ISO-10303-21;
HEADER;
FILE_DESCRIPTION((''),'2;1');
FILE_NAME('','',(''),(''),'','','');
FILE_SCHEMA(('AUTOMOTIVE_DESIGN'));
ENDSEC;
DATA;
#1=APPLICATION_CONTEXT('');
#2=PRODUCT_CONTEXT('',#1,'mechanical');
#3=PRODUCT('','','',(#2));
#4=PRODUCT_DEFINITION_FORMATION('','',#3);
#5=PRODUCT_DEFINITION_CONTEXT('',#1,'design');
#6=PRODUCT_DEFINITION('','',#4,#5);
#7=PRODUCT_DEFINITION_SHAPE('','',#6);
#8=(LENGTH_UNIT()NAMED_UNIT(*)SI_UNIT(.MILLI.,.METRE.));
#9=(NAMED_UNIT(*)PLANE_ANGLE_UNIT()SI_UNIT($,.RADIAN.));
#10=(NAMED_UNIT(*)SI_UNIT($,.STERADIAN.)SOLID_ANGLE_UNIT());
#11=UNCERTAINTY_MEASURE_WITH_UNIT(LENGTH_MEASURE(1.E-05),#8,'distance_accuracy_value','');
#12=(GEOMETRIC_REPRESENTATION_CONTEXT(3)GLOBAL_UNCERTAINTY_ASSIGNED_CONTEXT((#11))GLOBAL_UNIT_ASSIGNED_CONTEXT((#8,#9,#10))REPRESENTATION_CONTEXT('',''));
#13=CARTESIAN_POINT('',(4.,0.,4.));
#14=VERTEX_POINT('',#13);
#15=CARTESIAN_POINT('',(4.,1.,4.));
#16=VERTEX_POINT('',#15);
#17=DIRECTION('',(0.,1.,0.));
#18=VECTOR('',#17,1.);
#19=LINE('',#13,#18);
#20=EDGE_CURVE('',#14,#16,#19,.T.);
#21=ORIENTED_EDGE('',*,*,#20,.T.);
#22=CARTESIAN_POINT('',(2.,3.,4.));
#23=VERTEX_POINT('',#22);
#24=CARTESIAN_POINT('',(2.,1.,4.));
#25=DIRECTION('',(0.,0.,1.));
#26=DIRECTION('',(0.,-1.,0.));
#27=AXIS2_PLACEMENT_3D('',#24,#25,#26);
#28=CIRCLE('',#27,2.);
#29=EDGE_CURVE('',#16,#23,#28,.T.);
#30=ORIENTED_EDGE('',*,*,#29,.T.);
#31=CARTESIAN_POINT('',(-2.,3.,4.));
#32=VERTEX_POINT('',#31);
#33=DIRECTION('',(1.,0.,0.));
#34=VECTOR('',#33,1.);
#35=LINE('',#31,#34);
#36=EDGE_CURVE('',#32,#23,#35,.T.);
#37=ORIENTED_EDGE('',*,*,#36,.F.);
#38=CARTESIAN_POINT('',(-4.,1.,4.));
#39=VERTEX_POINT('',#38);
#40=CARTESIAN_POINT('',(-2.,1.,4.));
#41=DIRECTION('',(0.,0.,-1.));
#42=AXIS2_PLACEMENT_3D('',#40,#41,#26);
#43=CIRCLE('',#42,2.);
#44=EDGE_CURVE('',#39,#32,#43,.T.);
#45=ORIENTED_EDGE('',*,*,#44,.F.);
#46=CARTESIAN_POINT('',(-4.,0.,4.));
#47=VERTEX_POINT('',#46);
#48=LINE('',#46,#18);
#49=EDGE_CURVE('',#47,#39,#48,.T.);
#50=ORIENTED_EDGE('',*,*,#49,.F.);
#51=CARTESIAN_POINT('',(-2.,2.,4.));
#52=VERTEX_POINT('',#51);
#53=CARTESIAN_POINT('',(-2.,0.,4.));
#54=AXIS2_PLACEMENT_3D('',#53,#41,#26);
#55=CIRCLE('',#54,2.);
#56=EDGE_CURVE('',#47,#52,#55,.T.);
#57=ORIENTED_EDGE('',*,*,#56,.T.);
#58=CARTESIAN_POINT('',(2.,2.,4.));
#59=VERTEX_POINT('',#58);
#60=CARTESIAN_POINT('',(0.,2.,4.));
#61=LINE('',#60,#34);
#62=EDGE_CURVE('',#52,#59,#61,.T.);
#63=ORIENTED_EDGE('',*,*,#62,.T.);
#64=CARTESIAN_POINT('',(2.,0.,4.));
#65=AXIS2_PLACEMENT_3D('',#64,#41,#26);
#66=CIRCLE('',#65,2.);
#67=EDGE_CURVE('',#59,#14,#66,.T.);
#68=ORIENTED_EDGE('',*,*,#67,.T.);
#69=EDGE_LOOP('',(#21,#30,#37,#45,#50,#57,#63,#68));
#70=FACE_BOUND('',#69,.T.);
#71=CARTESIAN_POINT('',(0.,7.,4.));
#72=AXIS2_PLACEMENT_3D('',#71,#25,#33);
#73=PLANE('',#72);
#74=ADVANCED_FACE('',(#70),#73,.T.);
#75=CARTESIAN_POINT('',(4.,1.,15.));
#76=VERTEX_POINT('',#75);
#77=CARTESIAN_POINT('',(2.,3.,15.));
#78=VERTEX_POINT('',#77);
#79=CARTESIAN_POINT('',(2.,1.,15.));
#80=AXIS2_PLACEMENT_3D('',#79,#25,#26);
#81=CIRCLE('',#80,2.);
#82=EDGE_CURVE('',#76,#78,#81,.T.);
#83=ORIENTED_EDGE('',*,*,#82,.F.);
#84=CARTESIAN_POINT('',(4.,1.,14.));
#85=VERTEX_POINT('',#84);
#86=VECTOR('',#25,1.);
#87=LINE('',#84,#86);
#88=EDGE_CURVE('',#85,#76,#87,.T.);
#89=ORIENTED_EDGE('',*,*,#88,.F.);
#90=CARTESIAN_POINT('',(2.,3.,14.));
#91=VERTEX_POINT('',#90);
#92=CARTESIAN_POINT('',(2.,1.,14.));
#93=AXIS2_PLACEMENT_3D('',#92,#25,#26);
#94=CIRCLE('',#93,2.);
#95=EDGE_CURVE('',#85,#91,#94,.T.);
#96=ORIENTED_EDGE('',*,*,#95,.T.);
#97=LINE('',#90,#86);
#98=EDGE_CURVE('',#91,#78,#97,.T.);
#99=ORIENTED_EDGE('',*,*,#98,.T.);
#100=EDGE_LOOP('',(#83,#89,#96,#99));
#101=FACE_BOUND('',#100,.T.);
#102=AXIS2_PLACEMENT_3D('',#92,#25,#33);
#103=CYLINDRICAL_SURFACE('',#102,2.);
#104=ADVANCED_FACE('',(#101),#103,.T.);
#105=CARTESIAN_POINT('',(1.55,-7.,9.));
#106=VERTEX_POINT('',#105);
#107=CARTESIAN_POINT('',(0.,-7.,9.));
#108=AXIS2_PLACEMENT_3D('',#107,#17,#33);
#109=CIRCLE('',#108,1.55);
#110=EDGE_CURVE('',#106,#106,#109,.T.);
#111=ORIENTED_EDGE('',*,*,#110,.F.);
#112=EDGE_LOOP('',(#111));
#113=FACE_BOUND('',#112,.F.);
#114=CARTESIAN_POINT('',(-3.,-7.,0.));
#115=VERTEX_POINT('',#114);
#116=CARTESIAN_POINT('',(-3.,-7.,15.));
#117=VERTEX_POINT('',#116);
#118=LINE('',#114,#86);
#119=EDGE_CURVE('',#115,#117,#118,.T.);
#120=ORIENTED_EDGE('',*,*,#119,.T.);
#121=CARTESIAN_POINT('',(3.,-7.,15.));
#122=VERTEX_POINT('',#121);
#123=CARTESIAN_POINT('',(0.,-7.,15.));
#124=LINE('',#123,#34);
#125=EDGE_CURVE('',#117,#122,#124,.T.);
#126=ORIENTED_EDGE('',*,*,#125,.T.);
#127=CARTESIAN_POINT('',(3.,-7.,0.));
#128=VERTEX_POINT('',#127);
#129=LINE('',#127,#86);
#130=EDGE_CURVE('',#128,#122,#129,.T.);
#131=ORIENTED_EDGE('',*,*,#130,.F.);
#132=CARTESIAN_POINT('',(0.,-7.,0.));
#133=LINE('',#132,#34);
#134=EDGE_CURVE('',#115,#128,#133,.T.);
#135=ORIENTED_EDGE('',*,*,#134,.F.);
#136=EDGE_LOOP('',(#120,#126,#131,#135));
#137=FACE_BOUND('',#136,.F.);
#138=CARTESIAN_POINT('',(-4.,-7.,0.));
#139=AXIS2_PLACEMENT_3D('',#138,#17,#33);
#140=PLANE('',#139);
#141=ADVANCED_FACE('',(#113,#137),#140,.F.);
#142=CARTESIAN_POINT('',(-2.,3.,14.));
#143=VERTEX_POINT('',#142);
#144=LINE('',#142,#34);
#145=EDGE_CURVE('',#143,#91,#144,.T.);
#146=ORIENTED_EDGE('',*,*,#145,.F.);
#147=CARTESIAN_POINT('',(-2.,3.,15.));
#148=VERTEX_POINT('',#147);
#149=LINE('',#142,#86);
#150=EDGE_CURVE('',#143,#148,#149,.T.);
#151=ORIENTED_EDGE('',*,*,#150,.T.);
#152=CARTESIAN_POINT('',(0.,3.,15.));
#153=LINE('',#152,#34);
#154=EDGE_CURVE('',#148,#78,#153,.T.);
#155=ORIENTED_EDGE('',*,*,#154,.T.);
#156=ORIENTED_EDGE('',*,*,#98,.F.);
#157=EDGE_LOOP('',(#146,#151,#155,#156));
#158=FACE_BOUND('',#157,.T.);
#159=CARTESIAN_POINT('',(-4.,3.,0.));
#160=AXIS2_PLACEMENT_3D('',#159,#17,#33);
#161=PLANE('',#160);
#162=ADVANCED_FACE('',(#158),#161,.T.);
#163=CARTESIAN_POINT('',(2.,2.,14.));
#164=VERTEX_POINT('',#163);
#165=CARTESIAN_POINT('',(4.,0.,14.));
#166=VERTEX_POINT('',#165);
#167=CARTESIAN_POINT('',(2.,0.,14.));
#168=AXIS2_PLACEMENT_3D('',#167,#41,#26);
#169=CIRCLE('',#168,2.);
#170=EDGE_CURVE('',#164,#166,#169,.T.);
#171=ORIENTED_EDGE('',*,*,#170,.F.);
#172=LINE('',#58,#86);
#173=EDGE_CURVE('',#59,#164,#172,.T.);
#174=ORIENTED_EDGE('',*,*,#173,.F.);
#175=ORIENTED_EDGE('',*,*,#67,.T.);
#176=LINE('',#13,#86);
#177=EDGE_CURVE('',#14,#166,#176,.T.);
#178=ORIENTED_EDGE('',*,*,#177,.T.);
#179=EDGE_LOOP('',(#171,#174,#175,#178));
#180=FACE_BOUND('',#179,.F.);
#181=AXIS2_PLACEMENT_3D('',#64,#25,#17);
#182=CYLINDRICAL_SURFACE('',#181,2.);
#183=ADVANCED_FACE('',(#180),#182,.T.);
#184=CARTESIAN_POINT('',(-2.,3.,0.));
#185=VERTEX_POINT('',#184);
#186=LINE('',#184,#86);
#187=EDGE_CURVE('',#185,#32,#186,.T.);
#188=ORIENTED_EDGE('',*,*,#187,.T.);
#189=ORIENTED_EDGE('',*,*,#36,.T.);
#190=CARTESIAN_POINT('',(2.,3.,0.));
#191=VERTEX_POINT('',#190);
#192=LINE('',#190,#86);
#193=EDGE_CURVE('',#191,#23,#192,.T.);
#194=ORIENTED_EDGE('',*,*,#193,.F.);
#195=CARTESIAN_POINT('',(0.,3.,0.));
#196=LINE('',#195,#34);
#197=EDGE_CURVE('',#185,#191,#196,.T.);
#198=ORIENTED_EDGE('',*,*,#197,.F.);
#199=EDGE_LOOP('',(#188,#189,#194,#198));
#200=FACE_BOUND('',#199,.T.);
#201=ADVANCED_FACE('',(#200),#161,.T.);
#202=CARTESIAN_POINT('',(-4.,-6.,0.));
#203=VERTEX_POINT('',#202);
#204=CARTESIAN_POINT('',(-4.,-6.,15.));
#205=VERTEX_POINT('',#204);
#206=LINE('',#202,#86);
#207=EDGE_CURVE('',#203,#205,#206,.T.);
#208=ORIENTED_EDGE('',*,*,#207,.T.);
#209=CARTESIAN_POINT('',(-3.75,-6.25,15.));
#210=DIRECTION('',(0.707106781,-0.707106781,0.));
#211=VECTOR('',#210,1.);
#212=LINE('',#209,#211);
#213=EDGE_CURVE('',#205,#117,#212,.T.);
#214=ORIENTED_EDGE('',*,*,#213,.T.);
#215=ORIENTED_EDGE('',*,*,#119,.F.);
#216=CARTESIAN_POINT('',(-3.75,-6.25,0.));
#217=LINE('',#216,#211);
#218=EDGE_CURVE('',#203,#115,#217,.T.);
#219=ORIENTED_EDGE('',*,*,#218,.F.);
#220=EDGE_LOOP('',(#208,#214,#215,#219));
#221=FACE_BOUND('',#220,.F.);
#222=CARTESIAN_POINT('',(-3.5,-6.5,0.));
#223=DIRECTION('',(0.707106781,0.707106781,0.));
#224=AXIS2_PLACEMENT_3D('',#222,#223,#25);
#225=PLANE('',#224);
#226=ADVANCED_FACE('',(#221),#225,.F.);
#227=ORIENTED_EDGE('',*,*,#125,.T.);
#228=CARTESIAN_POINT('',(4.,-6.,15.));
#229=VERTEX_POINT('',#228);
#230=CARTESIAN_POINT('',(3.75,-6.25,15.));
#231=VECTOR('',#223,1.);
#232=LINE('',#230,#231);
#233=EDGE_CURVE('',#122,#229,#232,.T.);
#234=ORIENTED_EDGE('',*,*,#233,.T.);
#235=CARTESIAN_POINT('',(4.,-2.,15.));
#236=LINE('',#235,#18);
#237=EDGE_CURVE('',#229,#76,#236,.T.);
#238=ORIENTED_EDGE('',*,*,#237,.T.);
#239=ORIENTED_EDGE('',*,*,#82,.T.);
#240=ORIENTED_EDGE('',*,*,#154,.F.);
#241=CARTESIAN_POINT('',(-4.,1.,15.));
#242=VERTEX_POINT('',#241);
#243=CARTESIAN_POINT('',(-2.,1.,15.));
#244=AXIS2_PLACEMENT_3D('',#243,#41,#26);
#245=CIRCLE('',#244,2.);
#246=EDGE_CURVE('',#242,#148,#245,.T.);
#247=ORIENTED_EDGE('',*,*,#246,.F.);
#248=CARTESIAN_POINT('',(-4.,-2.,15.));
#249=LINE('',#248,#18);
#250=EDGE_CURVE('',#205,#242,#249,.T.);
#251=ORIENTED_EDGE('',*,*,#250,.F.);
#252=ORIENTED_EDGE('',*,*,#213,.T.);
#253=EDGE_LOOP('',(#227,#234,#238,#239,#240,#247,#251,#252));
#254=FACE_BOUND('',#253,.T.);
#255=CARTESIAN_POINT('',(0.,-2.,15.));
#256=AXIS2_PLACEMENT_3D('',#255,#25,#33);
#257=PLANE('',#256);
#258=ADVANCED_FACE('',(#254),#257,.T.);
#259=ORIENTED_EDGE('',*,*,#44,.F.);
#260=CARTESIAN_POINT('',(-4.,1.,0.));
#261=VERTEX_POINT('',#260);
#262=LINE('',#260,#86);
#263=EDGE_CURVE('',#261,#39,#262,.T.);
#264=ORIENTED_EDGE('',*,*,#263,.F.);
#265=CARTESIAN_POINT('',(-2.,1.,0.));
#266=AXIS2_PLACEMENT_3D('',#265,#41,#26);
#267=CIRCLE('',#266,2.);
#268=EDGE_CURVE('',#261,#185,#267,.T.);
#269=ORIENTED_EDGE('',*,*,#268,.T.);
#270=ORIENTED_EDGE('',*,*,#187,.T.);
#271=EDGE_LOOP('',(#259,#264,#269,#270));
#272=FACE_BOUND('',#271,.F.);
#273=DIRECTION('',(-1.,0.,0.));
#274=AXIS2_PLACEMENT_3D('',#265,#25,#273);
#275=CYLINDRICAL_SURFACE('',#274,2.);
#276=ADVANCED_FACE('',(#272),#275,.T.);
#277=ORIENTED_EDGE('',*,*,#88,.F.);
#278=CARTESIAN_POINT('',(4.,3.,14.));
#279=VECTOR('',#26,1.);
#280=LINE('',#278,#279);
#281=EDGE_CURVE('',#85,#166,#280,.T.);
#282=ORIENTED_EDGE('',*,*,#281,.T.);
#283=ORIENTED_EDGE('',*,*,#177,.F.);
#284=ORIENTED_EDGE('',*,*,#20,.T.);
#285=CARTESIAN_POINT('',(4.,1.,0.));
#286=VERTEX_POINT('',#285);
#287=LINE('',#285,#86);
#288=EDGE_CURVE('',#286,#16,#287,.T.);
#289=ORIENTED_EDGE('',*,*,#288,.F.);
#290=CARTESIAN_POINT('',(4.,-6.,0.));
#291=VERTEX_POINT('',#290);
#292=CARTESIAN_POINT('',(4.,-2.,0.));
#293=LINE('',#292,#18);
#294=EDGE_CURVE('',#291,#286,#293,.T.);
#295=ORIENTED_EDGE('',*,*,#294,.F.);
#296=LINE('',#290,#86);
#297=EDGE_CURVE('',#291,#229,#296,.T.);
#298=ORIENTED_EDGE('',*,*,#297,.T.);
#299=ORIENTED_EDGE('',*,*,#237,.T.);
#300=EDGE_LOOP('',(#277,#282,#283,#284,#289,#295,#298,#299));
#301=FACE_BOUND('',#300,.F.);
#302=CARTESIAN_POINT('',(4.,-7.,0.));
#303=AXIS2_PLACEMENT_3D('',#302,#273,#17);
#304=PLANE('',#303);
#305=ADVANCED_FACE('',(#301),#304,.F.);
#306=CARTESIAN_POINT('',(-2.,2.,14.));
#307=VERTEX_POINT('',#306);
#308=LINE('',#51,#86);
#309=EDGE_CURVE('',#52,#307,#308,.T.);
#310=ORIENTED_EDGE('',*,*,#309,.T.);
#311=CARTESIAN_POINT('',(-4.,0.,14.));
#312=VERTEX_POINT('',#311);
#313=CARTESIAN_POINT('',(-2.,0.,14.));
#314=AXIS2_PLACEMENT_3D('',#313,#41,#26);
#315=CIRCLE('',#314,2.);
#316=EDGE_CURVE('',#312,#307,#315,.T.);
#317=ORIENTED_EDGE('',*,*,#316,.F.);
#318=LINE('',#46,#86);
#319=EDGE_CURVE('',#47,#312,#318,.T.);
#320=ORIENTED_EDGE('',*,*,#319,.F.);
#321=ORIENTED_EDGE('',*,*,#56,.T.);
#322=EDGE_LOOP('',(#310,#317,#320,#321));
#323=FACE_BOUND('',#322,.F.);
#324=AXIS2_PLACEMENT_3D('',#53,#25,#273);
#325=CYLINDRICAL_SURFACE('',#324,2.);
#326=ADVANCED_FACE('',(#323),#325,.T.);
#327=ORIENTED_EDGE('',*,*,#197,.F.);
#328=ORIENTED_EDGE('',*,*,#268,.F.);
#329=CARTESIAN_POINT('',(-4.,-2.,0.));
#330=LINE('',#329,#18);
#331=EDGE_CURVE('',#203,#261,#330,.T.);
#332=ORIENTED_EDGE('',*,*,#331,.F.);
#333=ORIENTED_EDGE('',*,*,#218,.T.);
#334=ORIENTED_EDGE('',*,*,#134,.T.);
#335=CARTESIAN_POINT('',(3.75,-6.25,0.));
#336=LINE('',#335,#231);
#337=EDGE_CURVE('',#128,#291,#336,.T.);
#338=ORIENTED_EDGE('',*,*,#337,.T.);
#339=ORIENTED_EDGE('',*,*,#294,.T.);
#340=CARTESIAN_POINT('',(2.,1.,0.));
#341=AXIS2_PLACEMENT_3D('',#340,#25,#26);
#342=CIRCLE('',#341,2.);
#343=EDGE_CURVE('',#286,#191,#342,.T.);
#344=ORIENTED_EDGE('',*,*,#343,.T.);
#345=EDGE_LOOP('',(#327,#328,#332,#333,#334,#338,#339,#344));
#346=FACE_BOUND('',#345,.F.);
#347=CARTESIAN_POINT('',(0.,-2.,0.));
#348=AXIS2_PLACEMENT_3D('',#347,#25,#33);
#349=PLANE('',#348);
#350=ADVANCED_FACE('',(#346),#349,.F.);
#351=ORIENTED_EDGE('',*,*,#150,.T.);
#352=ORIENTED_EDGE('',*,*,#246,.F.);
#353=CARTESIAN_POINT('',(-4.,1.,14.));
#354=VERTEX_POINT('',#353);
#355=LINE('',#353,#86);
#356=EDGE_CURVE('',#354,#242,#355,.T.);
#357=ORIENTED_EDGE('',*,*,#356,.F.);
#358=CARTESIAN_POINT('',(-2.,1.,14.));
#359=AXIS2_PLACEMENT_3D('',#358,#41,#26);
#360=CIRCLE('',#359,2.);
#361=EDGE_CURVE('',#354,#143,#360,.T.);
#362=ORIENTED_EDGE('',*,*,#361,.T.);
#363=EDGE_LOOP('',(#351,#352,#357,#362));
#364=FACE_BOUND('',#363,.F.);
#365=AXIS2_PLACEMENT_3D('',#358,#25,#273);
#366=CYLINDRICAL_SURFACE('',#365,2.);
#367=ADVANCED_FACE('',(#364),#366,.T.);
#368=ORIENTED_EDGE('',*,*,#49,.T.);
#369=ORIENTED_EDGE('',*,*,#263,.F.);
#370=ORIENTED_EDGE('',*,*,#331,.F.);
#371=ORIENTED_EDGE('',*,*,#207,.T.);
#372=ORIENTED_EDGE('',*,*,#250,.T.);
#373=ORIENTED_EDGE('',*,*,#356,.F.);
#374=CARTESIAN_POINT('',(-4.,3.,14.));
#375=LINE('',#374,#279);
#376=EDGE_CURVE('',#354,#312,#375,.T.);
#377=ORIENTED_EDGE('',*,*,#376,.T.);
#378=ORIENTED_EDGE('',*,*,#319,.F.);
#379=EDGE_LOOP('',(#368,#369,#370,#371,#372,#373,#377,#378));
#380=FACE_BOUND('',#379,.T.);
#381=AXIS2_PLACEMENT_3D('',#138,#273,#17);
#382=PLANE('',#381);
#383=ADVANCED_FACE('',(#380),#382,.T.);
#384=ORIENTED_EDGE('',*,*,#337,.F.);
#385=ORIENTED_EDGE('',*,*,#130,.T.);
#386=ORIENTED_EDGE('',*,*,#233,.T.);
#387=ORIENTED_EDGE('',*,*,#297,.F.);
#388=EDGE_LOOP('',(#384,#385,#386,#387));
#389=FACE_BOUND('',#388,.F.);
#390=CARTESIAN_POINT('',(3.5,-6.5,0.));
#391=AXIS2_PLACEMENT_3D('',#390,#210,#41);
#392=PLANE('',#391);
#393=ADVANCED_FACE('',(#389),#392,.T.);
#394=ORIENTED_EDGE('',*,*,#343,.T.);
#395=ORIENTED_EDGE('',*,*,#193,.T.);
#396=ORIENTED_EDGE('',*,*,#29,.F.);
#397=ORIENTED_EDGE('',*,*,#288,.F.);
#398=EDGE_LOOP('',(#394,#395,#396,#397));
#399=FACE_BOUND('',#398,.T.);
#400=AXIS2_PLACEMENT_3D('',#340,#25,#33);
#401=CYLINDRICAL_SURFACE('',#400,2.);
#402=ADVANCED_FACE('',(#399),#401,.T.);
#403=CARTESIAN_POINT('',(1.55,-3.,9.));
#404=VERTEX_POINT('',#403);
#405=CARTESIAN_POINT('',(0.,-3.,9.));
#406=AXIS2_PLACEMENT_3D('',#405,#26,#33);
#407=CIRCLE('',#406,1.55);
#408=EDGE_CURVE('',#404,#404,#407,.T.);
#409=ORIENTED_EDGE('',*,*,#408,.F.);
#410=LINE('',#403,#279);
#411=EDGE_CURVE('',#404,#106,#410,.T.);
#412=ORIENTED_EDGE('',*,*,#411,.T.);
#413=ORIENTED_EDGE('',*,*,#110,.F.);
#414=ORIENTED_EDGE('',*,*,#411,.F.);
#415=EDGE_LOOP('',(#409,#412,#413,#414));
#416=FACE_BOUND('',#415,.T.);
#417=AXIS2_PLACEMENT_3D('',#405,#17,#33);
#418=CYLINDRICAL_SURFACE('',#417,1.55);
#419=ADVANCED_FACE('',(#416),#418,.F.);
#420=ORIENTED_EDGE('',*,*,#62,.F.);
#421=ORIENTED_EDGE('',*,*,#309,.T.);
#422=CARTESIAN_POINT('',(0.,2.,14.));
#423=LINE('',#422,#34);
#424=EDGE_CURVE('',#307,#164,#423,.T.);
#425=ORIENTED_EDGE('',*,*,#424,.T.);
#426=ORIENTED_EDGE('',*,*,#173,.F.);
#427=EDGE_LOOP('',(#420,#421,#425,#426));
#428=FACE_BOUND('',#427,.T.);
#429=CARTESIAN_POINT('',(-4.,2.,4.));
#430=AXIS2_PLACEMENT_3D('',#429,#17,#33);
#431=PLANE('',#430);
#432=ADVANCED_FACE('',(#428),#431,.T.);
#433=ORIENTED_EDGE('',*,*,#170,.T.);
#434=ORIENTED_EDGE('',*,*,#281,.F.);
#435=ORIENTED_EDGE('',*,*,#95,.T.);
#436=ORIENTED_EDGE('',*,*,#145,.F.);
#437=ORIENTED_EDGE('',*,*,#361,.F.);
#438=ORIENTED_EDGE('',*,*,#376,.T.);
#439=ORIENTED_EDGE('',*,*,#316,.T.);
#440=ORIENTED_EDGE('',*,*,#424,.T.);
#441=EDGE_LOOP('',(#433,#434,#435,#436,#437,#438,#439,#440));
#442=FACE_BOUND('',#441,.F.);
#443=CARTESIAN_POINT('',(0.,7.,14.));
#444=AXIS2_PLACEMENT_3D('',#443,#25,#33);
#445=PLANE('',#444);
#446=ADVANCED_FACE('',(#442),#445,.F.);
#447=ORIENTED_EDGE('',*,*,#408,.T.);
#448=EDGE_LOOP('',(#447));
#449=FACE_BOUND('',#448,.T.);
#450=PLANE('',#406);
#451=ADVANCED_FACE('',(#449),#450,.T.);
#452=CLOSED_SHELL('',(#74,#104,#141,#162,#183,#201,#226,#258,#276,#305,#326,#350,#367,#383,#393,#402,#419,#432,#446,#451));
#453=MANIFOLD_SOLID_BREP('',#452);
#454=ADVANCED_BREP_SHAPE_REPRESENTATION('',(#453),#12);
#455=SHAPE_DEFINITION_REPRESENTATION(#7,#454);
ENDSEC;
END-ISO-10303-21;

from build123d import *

# Parameters (mm, degrees)
CYLINDER006_R     = 1.55
CYLINDER006_DEPTH = 67
BOX009_W          = 8
BOX009_H          = 10
BOX009_DEPTH      = 10
BOX004_W          = 8
BOX004_H          = 10
BOX004_DEPTH      = 15
FILLET001_R       = 2
FILLET002_R       = 2
CHAMFER017_SIZE   = 1


with BuildPart() as cylinder006:
    # Cylinder006 → Cylinder006 (new body)
    with BuildSketch(Plane(origin=(0, 0, 9), x_dir=(1, 0, 0), z_dir=(0, -1, 0))):
        Circle(CYLINDER006_R)
    extrude(amount=CYLINDER006_DEPTH)


with BuildPart() as cube009:
    # Box009 → Box009 (new body)
    with BuildSketch(Plane(origin=(-4, 5, 4), x_dir=(1, 0, 0), z_dir=(0, 0, 1))):
        with Locations((4, 5)):
            Rectangle(BOX009_W, BOX009_H)
    extrude(amount=BOX009_DEPTH)


with BuildPart() as chamfer017:
    # Box004 → Box004 (new body)
    with BuildSketch(Plane(origin=(-4, -4, 0), x_dir=(1, 0, 0), z_dir=(0, 0, 1))):
        with Locations((4, 5)):
            Rectangle(BOX004_W, BOX004_H)
    extrude(amount=BOX004_DEPTH)

    # Cut002: cut Cube009
    add(cube009.part, mode=Mode.SUBTRACT)

    # Fillet001
    fillet001_edges = [chamfer017.edges().sort_by_distance(p)[0] for p in [
        (-4, 5, 9),
        (4, 5, 9),
    ]]
    fillet(fillet001_edges, radius=FILLET001_R)

    # Fillet002
    fillet002_edges = [chamfer017.edges().sort_by_distance(p)[0] for p in [
        (-4, 6, 2),
        (-4, 6, 14.5),
        (4, 6, 2),
        (4, 6, 14.5),
    ]]
    fillet(fillet002_edges, radius=FILLET002_R)

    # Cut003: cut Cylinder006
    add(cylinder006.part, mode=Mode.SUBTRACT)


with BuildPart() as chamfer017_1:
    # Cut003 placement: moved
    add(chamfer017.part.moved(Location((0, -3, 0))))

    # Chamfer017
    chamfer017_edges = [chamfer017_1.edges().sort_by_distance(p)[0] for p in [
        (-4, -7, 7.5),
        (4, -7, 7.5),
    ]]
    chamfer(chamfer017_edges, length=CHAMFER017_SIZE)


solid = chamfer017_1.part
